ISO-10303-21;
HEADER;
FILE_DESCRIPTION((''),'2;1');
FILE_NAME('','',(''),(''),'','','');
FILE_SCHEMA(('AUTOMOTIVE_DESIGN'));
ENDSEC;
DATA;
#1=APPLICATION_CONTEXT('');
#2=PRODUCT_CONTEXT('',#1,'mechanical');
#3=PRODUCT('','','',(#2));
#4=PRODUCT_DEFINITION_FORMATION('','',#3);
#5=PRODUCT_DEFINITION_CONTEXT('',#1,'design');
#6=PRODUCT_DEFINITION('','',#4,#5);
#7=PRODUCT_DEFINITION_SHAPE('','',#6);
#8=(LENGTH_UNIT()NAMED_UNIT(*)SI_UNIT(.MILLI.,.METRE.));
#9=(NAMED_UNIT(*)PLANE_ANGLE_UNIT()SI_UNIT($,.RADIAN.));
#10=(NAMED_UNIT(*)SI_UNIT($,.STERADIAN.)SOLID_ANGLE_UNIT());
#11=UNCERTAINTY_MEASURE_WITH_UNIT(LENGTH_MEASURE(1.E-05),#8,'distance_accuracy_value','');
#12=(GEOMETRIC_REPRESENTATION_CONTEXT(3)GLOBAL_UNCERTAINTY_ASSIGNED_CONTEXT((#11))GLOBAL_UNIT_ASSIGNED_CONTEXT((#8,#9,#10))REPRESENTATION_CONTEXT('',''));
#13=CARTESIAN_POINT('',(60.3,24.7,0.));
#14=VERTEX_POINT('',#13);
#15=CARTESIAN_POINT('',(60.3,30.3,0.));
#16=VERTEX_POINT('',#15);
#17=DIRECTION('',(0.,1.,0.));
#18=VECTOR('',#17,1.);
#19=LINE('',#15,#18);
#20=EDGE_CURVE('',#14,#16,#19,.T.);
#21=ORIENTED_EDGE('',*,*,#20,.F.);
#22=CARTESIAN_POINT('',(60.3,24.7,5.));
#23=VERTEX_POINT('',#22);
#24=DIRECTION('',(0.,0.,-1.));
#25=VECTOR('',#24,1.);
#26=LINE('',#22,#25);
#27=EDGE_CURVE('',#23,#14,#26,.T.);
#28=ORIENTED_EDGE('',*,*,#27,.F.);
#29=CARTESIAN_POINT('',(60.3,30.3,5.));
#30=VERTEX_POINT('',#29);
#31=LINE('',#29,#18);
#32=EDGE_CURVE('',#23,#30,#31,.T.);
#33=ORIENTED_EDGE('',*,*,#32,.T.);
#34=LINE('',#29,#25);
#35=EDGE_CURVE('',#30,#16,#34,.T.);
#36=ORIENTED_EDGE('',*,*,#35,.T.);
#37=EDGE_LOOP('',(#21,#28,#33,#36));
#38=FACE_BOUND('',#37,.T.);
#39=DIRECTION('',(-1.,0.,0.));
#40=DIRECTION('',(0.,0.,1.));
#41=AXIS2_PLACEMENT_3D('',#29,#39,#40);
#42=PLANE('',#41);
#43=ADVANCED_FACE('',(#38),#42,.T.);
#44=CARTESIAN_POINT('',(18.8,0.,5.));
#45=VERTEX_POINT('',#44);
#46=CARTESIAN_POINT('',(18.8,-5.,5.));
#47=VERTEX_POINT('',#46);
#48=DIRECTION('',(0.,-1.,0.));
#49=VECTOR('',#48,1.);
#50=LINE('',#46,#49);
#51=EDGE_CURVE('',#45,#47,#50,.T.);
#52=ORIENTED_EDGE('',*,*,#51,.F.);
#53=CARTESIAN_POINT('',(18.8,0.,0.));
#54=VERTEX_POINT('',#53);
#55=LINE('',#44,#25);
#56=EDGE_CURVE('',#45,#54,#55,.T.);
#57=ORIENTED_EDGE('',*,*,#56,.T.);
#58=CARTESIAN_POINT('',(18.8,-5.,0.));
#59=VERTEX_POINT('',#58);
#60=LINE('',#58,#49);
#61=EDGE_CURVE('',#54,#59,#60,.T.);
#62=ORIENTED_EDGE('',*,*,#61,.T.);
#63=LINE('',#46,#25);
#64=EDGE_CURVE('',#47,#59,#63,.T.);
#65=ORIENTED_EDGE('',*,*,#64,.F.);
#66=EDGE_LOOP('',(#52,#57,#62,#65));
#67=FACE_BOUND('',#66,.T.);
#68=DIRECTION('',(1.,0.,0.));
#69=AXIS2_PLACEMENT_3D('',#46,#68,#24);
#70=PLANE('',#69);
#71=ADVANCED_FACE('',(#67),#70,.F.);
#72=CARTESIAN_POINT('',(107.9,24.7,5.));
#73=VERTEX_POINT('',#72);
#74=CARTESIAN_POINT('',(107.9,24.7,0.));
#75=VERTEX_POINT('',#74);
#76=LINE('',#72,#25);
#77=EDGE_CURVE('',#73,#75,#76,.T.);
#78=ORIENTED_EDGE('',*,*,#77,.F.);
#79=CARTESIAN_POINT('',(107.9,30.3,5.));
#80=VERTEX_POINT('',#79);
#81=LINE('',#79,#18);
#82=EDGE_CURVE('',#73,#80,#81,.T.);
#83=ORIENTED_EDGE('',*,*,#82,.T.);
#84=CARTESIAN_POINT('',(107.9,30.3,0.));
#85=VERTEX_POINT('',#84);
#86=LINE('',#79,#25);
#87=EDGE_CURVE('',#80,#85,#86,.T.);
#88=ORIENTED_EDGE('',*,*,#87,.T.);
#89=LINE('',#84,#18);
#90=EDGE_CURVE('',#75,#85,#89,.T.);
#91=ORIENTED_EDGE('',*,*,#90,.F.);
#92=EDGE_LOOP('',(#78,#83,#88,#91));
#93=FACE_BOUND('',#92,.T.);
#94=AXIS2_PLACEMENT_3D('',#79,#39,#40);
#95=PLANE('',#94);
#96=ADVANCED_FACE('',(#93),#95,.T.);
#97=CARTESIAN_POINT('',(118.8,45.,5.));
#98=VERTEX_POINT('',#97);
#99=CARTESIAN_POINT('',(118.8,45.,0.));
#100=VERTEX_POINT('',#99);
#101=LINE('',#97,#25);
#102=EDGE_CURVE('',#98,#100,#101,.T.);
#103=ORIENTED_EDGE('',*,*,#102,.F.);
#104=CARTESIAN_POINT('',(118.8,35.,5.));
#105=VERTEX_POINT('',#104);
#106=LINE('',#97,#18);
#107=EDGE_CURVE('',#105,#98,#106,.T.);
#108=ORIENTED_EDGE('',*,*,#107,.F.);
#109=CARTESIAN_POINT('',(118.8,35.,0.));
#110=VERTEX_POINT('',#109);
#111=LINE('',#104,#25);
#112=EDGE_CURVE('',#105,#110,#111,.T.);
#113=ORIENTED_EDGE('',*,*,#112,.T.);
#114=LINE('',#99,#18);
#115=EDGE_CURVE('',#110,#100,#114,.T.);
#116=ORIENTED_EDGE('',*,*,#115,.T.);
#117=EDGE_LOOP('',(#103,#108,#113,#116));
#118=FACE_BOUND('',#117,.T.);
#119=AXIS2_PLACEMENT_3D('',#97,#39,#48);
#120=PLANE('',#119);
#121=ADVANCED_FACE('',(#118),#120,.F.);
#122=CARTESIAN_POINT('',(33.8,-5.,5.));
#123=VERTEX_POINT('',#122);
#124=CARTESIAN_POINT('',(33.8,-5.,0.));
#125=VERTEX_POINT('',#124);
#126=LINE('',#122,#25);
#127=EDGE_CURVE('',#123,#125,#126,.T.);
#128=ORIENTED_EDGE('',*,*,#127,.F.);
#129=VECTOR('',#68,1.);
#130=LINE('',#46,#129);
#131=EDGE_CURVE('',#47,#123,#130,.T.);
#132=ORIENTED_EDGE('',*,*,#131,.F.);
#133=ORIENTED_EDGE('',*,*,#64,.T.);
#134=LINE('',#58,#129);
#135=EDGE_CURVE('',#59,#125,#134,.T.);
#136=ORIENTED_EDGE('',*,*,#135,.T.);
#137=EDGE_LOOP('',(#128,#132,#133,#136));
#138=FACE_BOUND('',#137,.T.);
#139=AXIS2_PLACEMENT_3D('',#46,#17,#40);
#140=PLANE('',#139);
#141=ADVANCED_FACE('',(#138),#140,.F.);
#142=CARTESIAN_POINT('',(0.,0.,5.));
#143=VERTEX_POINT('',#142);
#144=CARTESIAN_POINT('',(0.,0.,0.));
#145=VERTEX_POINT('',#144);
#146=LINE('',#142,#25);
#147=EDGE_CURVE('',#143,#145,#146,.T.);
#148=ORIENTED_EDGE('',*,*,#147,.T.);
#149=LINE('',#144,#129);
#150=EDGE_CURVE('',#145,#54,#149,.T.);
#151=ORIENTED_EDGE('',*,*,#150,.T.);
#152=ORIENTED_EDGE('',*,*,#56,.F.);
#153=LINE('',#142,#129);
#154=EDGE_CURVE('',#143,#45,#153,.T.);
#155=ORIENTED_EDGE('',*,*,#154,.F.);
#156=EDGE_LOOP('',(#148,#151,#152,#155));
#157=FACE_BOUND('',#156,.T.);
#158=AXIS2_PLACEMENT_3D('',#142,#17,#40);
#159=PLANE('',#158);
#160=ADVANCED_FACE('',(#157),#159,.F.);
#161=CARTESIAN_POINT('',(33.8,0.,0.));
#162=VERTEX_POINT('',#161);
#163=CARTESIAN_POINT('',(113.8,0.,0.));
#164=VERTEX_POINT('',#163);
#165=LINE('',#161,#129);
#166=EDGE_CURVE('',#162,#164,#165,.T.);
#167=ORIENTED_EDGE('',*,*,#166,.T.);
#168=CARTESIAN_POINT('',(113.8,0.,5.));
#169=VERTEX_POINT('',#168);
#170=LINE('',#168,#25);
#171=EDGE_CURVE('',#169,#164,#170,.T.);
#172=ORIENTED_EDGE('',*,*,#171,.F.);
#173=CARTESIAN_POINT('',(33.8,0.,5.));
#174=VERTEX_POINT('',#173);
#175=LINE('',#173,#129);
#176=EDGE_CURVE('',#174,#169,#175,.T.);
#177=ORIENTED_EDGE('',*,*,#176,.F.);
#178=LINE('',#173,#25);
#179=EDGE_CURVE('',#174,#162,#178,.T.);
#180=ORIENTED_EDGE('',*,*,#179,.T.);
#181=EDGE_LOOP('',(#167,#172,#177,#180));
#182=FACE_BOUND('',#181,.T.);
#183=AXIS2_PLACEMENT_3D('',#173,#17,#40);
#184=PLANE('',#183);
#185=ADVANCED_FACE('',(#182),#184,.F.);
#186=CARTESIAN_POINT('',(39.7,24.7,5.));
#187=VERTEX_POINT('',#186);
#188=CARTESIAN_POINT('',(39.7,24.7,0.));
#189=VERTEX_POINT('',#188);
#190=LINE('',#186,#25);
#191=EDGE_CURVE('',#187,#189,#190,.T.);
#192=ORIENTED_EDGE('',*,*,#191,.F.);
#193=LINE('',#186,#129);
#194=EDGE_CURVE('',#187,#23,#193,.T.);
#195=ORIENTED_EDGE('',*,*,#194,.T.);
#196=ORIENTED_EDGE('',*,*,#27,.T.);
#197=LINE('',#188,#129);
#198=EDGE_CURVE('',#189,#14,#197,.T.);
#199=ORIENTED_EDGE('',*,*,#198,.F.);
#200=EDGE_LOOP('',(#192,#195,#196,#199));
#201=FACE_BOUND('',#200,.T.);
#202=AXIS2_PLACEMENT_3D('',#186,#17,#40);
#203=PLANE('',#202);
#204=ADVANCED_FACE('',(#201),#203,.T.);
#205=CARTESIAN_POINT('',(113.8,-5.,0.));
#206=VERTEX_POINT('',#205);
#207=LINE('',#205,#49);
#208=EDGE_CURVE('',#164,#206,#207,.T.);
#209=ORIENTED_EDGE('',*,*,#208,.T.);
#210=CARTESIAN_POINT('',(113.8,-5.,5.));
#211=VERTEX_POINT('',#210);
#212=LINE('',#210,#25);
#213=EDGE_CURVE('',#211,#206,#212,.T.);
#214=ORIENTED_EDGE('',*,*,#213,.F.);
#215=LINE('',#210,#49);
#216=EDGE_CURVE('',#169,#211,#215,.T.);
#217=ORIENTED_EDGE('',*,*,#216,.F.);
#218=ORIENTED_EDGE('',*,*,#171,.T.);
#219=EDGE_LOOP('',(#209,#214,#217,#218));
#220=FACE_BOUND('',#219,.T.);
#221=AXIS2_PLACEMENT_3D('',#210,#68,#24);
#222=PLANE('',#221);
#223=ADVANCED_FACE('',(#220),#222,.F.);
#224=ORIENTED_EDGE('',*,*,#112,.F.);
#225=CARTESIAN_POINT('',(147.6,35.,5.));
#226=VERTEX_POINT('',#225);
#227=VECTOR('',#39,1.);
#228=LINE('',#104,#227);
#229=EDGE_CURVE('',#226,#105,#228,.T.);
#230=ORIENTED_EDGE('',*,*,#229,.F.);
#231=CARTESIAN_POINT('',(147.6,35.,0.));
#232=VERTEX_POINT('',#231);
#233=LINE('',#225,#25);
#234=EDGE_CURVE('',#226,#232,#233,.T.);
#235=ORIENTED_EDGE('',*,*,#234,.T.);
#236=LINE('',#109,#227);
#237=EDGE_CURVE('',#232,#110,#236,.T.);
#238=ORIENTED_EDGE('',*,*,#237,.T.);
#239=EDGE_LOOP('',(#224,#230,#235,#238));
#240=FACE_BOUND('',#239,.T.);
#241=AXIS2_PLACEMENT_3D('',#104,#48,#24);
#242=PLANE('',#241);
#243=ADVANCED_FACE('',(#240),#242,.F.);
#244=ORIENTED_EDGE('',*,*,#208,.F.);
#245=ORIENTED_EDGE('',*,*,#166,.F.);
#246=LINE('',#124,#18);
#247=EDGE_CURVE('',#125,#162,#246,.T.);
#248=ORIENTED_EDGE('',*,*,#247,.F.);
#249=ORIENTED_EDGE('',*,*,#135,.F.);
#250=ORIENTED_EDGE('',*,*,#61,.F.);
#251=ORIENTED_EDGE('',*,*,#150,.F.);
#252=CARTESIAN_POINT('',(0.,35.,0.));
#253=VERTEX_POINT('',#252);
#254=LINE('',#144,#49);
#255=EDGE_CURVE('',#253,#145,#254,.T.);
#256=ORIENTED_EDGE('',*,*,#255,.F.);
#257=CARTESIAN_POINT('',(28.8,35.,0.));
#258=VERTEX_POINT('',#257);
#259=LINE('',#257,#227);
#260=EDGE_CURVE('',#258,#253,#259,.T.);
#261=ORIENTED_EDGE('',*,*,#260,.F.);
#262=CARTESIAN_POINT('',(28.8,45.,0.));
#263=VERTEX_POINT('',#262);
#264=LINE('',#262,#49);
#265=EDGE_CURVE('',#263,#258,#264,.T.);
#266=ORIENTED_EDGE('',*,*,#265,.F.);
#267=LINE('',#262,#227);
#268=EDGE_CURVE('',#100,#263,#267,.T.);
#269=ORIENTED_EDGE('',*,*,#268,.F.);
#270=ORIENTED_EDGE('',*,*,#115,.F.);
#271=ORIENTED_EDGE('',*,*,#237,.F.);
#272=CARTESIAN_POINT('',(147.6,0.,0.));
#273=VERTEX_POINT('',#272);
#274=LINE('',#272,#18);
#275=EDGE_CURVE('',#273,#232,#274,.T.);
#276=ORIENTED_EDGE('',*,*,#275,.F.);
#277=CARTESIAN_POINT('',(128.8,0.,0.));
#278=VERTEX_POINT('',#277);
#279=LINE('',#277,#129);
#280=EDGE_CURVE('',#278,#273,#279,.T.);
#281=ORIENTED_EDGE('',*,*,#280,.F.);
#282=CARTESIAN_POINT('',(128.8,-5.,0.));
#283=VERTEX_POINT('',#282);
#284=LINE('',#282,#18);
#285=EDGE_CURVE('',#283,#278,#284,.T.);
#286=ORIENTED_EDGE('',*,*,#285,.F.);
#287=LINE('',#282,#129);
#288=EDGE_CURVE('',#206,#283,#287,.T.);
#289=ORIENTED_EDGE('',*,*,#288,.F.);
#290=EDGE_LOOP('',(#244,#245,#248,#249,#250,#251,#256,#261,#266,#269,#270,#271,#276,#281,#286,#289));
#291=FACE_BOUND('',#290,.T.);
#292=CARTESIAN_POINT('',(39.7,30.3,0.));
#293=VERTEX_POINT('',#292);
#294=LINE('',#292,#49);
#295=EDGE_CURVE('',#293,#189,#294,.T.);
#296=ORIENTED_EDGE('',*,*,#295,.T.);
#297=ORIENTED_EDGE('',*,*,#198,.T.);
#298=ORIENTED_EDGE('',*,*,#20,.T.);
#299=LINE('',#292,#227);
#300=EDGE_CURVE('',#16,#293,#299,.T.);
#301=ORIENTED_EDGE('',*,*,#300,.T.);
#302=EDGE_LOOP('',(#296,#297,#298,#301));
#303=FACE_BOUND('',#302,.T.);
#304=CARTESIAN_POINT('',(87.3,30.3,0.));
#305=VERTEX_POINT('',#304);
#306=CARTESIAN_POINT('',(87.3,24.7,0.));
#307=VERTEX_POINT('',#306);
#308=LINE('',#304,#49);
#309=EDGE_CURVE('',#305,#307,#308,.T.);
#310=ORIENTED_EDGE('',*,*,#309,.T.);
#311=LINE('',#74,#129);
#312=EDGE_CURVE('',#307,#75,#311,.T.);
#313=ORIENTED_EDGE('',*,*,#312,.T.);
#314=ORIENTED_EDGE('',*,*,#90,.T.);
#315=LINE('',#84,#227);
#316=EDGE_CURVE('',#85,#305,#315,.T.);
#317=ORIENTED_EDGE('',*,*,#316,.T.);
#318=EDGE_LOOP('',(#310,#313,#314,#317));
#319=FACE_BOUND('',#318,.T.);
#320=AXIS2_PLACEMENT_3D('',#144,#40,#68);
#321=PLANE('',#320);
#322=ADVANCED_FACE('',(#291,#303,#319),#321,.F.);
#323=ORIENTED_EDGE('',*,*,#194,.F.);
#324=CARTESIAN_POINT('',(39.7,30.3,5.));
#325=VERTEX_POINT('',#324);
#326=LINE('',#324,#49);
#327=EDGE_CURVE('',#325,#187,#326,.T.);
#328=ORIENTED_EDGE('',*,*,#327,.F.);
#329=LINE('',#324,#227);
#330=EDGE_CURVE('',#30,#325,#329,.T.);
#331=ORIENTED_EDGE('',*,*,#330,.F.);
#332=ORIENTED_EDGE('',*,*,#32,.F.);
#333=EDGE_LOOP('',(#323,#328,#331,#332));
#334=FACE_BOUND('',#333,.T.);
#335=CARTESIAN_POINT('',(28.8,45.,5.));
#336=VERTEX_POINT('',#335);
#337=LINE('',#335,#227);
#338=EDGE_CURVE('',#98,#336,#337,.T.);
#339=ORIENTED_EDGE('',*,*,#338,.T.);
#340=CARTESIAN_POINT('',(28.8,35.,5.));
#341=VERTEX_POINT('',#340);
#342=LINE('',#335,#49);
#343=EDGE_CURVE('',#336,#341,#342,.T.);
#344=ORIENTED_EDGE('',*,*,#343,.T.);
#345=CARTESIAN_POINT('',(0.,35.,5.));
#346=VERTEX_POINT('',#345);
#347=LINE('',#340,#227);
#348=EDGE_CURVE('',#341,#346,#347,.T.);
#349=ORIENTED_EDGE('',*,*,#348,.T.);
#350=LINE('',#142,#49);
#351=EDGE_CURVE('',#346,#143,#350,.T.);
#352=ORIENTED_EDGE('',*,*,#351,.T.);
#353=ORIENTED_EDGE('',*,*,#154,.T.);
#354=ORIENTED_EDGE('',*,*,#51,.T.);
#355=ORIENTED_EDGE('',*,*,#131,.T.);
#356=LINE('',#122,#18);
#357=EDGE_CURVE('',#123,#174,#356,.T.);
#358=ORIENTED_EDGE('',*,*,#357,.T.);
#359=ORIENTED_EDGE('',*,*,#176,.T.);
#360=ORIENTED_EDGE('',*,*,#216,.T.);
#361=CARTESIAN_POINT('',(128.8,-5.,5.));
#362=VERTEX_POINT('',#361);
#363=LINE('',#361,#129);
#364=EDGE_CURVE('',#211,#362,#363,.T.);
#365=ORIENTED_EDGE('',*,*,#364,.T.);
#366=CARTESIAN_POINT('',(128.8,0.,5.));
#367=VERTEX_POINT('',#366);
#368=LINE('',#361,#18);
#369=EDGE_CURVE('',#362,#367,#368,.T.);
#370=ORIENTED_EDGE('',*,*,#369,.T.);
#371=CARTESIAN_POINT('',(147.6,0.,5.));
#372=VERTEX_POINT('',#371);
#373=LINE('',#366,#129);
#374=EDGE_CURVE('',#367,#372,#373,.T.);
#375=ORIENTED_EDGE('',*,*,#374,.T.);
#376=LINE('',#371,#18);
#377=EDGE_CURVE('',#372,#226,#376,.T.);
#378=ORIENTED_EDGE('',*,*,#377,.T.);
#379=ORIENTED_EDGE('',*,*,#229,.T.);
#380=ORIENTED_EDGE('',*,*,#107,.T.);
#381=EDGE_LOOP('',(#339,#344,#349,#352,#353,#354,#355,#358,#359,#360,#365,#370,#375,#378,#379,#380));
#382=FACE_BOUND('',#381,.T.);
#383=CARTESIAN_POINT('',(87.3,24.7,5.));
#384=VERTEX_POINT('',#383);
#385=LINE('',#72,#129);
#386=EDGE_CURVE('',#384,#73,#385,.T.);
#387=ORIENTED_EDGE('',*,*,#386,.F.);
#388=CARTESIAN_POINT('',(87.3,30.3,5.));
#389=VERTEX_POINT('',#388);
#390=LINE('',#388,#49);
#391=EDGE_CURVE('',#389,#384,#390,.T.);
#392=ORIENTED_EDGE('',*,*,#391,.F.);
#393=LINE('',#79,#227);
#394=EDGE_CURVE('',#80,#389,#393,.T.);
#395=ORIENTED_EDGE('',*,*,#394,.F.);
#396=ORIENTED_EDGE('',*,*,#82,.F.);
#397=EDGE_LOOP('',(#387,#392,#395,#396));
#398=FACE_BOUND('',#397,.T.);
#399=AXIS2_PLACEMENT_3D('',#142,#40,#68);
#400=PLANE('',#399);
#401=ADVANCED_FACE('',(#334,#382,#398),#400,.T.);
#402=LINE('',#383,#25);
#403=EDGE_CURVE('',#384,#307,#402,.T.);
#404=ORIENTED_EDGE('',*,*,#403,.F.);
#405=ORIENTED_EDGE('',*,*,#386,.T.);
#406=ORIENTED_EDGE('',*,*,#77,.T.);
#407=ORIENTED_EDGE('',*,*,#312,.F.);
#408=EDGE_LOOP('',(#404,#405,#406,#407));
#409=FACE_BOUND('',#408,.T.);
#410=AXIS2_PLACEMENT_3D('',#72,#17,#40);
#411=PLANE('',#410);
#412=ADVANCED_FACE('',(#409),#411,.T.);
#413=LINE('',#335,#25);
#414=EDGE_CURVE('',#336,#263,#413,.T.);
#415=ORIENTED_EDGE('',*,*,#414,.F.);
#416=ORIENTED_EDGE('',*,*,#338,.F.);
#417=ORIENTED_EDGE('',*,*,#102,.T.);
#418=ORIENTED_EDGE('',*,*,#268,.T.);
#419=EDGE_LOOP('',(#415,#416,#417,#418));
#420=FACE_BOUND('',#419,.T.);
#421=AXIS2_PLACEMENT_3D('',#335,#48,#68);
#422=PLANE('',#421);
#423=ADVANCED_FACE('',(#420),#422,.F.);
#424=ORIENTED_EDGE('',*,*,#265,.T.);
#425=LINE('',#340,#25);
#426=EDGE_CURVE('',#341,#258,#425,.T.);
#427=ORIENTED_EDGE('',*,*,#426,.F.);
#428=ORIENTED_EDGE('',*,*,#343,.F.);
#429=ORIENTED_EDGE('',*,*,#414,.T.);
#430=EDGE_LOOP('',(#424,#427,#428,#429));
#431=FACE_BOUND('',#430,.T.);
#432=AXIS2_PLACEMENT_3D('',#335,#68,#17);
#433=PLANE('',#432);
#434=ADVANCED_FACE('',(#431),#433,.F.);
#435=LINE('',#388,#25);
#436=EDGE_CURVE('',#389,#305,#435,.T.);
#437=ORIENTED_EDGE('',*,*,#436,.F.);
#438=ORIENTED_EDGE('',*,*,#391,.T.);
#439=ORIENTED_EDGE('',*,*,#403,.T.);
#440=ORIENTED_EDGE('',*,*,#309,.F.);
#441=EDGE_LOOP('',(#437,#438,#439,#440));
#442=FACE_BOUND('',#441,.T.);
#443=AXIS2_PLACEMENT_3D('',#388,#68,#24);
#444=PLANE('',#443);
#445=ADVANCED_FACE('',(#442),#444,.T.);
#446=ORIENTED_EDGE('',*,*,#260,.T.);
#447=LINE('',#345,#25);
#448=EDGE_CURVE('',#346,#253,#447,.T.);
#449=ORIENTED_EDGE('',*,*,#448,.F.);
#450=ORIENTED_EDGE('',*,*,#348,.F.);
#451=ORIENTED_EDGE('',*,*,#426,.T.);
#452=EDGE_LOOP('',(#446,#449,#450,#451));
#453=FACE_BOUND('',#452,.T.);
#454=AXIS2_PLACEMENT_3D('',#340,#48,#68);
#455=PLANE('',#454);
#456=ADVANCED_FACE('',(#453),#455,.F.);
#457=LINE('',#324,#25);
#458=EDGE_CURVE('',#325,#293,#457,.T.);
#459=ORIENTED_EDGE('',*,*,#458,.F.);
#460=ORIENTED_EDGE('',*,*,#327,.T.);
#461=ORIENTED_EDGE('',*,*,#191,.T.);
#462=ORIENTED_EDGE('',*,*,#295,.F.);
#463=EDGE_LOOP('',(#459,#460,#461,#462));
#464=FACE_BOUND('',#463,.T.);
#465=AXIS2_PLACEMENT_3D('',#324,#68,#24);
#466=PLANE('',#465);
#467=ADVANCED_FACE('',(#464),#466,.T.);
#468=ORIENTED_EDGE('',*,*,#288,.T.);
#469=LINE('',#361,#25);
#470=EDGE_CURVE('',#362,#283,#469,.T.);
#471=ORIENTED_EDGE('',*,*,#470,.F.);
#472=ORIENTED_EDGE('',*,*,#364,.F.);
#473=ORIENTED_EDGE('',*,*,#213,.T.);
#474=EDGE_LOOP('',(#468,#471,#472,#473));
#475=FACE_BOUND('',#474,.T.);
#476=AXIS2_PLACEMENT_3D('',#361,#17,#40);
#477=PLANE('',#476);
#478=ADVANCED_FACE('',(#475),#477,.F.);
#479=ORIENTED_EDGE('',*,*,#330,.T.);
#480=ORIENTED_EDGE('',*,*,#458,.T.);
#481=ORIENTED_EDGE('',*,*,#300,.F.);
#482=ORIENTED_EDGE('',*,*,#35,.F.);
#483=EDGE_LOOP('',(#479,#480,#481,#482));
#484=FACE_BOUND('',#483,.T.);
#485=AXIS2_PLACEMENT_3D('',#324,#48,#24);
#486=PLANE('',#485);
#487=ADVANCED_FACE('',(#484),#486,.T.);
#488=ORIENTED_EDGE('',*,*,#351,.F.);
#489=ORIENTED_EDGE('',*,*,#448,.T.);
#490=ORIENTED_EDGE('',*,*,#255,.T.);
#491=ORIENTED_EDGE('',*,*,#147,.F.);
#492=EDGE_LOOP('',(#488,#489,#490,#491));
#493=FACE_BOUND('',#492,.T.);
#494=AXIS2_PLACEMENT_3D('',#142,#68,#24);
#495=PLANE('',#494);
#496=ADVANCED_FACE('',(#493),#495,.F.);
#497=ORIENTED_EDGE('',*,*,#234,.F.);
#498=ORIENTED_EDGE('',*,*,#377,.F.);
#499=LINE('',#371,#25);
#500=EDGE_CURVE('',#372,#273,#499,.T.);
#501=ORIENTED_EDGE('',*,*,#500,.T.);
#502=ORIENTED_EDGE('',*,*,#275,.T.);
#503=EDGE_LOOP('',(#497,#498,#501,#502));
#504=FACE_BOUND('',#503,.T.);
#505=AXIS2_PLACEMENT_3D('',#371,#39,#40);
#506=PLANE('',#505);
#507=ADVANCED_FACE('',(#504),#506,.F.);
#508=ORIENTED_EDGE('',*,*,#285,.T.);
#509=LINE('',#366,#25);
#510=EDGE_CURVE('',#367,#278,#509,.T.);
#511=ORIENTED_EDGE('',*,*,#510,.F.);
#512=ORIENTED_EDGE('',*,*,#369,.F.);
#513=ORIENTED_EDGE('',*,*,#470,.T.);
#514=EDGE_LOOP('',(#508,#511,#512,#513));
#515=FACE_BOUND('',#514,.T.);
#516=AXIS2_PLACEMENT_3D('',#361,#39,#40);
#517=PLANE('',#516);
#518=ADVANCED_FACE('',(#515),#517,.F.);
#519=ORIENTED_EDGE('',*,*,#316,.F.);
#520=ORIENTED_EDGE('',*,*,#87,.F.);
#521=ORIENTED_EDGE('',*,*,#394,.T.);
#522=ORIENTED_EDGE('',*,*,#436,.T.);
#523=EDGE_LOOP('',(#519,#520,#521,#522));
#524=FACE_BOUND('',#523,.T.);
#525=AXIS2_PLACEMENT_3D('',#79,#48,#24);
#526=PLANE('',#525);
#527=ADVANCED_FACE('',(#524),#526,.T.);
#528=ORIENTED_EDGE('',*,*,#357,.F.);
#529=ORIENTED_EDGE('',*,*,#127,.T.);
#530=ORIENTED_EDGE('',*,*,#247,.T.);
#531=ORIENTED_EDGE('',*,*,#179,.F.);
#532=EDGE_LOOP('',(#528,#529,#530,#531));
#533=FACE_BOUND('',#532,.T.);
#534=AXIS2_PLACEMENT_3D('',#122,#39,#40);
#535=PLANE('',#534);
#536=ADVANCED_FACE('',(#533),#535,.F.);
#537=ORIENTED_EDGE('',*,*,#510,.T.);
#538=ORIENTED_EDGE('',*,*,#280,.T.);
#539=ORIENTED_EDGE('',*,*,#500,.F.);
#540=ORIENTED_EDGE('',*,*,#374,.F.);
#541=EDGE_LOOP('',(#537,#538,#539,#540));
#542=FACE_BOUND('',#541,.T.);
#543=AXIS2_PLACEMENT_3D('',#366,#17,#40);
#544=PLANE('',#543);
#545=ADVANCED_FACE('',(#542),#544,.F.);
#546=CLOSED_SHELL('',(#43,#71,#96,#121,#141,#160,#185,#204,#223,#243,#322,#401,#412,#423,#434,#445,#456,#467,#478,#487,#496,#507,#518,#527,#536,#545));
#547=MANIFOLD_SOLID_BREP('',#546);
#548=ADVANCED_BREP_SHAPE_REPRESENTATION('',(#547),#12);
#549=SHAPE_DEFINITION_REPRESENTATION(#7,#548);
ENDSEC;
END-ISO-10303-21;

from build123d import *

# Parameters (mm, degrees)
SKETCH1_W           = 20.6
SKETCH1_H           = 5.6
BOSS_EXTRUDE1_DEPTH = 5


with BuildPart() as part:
    # Sketch1 → Boss-Extrude1 (new body)
    with BuildSketch(Plane.XY):
        Polygon((28.8, 35), (0, 35), (0, 0), (18.8, 0), (18.8, -5), (33.8, -5), (33.8, 0), (113.8, 0), (113.8, -5), (128.8, -5), (128.8, 0), (147.6, 0), (147.6, 35), (118.8, 35), (118.8, 45), (28.8, 45), align=None)
        with Locations((50, 27.5)):
            Rectangle(SKETCH1_W, SKETCH1_H, mode=Mode.SUBTRACT)
        with Locations((97.6, 27.5)):
            Rectangle(SKETCH1_W, SKETCH1_H, mode=Mode.SUBTRACT)
    extrude(amount=BOSS_EXTRUDE1_DEPTH)


solid = part.part
